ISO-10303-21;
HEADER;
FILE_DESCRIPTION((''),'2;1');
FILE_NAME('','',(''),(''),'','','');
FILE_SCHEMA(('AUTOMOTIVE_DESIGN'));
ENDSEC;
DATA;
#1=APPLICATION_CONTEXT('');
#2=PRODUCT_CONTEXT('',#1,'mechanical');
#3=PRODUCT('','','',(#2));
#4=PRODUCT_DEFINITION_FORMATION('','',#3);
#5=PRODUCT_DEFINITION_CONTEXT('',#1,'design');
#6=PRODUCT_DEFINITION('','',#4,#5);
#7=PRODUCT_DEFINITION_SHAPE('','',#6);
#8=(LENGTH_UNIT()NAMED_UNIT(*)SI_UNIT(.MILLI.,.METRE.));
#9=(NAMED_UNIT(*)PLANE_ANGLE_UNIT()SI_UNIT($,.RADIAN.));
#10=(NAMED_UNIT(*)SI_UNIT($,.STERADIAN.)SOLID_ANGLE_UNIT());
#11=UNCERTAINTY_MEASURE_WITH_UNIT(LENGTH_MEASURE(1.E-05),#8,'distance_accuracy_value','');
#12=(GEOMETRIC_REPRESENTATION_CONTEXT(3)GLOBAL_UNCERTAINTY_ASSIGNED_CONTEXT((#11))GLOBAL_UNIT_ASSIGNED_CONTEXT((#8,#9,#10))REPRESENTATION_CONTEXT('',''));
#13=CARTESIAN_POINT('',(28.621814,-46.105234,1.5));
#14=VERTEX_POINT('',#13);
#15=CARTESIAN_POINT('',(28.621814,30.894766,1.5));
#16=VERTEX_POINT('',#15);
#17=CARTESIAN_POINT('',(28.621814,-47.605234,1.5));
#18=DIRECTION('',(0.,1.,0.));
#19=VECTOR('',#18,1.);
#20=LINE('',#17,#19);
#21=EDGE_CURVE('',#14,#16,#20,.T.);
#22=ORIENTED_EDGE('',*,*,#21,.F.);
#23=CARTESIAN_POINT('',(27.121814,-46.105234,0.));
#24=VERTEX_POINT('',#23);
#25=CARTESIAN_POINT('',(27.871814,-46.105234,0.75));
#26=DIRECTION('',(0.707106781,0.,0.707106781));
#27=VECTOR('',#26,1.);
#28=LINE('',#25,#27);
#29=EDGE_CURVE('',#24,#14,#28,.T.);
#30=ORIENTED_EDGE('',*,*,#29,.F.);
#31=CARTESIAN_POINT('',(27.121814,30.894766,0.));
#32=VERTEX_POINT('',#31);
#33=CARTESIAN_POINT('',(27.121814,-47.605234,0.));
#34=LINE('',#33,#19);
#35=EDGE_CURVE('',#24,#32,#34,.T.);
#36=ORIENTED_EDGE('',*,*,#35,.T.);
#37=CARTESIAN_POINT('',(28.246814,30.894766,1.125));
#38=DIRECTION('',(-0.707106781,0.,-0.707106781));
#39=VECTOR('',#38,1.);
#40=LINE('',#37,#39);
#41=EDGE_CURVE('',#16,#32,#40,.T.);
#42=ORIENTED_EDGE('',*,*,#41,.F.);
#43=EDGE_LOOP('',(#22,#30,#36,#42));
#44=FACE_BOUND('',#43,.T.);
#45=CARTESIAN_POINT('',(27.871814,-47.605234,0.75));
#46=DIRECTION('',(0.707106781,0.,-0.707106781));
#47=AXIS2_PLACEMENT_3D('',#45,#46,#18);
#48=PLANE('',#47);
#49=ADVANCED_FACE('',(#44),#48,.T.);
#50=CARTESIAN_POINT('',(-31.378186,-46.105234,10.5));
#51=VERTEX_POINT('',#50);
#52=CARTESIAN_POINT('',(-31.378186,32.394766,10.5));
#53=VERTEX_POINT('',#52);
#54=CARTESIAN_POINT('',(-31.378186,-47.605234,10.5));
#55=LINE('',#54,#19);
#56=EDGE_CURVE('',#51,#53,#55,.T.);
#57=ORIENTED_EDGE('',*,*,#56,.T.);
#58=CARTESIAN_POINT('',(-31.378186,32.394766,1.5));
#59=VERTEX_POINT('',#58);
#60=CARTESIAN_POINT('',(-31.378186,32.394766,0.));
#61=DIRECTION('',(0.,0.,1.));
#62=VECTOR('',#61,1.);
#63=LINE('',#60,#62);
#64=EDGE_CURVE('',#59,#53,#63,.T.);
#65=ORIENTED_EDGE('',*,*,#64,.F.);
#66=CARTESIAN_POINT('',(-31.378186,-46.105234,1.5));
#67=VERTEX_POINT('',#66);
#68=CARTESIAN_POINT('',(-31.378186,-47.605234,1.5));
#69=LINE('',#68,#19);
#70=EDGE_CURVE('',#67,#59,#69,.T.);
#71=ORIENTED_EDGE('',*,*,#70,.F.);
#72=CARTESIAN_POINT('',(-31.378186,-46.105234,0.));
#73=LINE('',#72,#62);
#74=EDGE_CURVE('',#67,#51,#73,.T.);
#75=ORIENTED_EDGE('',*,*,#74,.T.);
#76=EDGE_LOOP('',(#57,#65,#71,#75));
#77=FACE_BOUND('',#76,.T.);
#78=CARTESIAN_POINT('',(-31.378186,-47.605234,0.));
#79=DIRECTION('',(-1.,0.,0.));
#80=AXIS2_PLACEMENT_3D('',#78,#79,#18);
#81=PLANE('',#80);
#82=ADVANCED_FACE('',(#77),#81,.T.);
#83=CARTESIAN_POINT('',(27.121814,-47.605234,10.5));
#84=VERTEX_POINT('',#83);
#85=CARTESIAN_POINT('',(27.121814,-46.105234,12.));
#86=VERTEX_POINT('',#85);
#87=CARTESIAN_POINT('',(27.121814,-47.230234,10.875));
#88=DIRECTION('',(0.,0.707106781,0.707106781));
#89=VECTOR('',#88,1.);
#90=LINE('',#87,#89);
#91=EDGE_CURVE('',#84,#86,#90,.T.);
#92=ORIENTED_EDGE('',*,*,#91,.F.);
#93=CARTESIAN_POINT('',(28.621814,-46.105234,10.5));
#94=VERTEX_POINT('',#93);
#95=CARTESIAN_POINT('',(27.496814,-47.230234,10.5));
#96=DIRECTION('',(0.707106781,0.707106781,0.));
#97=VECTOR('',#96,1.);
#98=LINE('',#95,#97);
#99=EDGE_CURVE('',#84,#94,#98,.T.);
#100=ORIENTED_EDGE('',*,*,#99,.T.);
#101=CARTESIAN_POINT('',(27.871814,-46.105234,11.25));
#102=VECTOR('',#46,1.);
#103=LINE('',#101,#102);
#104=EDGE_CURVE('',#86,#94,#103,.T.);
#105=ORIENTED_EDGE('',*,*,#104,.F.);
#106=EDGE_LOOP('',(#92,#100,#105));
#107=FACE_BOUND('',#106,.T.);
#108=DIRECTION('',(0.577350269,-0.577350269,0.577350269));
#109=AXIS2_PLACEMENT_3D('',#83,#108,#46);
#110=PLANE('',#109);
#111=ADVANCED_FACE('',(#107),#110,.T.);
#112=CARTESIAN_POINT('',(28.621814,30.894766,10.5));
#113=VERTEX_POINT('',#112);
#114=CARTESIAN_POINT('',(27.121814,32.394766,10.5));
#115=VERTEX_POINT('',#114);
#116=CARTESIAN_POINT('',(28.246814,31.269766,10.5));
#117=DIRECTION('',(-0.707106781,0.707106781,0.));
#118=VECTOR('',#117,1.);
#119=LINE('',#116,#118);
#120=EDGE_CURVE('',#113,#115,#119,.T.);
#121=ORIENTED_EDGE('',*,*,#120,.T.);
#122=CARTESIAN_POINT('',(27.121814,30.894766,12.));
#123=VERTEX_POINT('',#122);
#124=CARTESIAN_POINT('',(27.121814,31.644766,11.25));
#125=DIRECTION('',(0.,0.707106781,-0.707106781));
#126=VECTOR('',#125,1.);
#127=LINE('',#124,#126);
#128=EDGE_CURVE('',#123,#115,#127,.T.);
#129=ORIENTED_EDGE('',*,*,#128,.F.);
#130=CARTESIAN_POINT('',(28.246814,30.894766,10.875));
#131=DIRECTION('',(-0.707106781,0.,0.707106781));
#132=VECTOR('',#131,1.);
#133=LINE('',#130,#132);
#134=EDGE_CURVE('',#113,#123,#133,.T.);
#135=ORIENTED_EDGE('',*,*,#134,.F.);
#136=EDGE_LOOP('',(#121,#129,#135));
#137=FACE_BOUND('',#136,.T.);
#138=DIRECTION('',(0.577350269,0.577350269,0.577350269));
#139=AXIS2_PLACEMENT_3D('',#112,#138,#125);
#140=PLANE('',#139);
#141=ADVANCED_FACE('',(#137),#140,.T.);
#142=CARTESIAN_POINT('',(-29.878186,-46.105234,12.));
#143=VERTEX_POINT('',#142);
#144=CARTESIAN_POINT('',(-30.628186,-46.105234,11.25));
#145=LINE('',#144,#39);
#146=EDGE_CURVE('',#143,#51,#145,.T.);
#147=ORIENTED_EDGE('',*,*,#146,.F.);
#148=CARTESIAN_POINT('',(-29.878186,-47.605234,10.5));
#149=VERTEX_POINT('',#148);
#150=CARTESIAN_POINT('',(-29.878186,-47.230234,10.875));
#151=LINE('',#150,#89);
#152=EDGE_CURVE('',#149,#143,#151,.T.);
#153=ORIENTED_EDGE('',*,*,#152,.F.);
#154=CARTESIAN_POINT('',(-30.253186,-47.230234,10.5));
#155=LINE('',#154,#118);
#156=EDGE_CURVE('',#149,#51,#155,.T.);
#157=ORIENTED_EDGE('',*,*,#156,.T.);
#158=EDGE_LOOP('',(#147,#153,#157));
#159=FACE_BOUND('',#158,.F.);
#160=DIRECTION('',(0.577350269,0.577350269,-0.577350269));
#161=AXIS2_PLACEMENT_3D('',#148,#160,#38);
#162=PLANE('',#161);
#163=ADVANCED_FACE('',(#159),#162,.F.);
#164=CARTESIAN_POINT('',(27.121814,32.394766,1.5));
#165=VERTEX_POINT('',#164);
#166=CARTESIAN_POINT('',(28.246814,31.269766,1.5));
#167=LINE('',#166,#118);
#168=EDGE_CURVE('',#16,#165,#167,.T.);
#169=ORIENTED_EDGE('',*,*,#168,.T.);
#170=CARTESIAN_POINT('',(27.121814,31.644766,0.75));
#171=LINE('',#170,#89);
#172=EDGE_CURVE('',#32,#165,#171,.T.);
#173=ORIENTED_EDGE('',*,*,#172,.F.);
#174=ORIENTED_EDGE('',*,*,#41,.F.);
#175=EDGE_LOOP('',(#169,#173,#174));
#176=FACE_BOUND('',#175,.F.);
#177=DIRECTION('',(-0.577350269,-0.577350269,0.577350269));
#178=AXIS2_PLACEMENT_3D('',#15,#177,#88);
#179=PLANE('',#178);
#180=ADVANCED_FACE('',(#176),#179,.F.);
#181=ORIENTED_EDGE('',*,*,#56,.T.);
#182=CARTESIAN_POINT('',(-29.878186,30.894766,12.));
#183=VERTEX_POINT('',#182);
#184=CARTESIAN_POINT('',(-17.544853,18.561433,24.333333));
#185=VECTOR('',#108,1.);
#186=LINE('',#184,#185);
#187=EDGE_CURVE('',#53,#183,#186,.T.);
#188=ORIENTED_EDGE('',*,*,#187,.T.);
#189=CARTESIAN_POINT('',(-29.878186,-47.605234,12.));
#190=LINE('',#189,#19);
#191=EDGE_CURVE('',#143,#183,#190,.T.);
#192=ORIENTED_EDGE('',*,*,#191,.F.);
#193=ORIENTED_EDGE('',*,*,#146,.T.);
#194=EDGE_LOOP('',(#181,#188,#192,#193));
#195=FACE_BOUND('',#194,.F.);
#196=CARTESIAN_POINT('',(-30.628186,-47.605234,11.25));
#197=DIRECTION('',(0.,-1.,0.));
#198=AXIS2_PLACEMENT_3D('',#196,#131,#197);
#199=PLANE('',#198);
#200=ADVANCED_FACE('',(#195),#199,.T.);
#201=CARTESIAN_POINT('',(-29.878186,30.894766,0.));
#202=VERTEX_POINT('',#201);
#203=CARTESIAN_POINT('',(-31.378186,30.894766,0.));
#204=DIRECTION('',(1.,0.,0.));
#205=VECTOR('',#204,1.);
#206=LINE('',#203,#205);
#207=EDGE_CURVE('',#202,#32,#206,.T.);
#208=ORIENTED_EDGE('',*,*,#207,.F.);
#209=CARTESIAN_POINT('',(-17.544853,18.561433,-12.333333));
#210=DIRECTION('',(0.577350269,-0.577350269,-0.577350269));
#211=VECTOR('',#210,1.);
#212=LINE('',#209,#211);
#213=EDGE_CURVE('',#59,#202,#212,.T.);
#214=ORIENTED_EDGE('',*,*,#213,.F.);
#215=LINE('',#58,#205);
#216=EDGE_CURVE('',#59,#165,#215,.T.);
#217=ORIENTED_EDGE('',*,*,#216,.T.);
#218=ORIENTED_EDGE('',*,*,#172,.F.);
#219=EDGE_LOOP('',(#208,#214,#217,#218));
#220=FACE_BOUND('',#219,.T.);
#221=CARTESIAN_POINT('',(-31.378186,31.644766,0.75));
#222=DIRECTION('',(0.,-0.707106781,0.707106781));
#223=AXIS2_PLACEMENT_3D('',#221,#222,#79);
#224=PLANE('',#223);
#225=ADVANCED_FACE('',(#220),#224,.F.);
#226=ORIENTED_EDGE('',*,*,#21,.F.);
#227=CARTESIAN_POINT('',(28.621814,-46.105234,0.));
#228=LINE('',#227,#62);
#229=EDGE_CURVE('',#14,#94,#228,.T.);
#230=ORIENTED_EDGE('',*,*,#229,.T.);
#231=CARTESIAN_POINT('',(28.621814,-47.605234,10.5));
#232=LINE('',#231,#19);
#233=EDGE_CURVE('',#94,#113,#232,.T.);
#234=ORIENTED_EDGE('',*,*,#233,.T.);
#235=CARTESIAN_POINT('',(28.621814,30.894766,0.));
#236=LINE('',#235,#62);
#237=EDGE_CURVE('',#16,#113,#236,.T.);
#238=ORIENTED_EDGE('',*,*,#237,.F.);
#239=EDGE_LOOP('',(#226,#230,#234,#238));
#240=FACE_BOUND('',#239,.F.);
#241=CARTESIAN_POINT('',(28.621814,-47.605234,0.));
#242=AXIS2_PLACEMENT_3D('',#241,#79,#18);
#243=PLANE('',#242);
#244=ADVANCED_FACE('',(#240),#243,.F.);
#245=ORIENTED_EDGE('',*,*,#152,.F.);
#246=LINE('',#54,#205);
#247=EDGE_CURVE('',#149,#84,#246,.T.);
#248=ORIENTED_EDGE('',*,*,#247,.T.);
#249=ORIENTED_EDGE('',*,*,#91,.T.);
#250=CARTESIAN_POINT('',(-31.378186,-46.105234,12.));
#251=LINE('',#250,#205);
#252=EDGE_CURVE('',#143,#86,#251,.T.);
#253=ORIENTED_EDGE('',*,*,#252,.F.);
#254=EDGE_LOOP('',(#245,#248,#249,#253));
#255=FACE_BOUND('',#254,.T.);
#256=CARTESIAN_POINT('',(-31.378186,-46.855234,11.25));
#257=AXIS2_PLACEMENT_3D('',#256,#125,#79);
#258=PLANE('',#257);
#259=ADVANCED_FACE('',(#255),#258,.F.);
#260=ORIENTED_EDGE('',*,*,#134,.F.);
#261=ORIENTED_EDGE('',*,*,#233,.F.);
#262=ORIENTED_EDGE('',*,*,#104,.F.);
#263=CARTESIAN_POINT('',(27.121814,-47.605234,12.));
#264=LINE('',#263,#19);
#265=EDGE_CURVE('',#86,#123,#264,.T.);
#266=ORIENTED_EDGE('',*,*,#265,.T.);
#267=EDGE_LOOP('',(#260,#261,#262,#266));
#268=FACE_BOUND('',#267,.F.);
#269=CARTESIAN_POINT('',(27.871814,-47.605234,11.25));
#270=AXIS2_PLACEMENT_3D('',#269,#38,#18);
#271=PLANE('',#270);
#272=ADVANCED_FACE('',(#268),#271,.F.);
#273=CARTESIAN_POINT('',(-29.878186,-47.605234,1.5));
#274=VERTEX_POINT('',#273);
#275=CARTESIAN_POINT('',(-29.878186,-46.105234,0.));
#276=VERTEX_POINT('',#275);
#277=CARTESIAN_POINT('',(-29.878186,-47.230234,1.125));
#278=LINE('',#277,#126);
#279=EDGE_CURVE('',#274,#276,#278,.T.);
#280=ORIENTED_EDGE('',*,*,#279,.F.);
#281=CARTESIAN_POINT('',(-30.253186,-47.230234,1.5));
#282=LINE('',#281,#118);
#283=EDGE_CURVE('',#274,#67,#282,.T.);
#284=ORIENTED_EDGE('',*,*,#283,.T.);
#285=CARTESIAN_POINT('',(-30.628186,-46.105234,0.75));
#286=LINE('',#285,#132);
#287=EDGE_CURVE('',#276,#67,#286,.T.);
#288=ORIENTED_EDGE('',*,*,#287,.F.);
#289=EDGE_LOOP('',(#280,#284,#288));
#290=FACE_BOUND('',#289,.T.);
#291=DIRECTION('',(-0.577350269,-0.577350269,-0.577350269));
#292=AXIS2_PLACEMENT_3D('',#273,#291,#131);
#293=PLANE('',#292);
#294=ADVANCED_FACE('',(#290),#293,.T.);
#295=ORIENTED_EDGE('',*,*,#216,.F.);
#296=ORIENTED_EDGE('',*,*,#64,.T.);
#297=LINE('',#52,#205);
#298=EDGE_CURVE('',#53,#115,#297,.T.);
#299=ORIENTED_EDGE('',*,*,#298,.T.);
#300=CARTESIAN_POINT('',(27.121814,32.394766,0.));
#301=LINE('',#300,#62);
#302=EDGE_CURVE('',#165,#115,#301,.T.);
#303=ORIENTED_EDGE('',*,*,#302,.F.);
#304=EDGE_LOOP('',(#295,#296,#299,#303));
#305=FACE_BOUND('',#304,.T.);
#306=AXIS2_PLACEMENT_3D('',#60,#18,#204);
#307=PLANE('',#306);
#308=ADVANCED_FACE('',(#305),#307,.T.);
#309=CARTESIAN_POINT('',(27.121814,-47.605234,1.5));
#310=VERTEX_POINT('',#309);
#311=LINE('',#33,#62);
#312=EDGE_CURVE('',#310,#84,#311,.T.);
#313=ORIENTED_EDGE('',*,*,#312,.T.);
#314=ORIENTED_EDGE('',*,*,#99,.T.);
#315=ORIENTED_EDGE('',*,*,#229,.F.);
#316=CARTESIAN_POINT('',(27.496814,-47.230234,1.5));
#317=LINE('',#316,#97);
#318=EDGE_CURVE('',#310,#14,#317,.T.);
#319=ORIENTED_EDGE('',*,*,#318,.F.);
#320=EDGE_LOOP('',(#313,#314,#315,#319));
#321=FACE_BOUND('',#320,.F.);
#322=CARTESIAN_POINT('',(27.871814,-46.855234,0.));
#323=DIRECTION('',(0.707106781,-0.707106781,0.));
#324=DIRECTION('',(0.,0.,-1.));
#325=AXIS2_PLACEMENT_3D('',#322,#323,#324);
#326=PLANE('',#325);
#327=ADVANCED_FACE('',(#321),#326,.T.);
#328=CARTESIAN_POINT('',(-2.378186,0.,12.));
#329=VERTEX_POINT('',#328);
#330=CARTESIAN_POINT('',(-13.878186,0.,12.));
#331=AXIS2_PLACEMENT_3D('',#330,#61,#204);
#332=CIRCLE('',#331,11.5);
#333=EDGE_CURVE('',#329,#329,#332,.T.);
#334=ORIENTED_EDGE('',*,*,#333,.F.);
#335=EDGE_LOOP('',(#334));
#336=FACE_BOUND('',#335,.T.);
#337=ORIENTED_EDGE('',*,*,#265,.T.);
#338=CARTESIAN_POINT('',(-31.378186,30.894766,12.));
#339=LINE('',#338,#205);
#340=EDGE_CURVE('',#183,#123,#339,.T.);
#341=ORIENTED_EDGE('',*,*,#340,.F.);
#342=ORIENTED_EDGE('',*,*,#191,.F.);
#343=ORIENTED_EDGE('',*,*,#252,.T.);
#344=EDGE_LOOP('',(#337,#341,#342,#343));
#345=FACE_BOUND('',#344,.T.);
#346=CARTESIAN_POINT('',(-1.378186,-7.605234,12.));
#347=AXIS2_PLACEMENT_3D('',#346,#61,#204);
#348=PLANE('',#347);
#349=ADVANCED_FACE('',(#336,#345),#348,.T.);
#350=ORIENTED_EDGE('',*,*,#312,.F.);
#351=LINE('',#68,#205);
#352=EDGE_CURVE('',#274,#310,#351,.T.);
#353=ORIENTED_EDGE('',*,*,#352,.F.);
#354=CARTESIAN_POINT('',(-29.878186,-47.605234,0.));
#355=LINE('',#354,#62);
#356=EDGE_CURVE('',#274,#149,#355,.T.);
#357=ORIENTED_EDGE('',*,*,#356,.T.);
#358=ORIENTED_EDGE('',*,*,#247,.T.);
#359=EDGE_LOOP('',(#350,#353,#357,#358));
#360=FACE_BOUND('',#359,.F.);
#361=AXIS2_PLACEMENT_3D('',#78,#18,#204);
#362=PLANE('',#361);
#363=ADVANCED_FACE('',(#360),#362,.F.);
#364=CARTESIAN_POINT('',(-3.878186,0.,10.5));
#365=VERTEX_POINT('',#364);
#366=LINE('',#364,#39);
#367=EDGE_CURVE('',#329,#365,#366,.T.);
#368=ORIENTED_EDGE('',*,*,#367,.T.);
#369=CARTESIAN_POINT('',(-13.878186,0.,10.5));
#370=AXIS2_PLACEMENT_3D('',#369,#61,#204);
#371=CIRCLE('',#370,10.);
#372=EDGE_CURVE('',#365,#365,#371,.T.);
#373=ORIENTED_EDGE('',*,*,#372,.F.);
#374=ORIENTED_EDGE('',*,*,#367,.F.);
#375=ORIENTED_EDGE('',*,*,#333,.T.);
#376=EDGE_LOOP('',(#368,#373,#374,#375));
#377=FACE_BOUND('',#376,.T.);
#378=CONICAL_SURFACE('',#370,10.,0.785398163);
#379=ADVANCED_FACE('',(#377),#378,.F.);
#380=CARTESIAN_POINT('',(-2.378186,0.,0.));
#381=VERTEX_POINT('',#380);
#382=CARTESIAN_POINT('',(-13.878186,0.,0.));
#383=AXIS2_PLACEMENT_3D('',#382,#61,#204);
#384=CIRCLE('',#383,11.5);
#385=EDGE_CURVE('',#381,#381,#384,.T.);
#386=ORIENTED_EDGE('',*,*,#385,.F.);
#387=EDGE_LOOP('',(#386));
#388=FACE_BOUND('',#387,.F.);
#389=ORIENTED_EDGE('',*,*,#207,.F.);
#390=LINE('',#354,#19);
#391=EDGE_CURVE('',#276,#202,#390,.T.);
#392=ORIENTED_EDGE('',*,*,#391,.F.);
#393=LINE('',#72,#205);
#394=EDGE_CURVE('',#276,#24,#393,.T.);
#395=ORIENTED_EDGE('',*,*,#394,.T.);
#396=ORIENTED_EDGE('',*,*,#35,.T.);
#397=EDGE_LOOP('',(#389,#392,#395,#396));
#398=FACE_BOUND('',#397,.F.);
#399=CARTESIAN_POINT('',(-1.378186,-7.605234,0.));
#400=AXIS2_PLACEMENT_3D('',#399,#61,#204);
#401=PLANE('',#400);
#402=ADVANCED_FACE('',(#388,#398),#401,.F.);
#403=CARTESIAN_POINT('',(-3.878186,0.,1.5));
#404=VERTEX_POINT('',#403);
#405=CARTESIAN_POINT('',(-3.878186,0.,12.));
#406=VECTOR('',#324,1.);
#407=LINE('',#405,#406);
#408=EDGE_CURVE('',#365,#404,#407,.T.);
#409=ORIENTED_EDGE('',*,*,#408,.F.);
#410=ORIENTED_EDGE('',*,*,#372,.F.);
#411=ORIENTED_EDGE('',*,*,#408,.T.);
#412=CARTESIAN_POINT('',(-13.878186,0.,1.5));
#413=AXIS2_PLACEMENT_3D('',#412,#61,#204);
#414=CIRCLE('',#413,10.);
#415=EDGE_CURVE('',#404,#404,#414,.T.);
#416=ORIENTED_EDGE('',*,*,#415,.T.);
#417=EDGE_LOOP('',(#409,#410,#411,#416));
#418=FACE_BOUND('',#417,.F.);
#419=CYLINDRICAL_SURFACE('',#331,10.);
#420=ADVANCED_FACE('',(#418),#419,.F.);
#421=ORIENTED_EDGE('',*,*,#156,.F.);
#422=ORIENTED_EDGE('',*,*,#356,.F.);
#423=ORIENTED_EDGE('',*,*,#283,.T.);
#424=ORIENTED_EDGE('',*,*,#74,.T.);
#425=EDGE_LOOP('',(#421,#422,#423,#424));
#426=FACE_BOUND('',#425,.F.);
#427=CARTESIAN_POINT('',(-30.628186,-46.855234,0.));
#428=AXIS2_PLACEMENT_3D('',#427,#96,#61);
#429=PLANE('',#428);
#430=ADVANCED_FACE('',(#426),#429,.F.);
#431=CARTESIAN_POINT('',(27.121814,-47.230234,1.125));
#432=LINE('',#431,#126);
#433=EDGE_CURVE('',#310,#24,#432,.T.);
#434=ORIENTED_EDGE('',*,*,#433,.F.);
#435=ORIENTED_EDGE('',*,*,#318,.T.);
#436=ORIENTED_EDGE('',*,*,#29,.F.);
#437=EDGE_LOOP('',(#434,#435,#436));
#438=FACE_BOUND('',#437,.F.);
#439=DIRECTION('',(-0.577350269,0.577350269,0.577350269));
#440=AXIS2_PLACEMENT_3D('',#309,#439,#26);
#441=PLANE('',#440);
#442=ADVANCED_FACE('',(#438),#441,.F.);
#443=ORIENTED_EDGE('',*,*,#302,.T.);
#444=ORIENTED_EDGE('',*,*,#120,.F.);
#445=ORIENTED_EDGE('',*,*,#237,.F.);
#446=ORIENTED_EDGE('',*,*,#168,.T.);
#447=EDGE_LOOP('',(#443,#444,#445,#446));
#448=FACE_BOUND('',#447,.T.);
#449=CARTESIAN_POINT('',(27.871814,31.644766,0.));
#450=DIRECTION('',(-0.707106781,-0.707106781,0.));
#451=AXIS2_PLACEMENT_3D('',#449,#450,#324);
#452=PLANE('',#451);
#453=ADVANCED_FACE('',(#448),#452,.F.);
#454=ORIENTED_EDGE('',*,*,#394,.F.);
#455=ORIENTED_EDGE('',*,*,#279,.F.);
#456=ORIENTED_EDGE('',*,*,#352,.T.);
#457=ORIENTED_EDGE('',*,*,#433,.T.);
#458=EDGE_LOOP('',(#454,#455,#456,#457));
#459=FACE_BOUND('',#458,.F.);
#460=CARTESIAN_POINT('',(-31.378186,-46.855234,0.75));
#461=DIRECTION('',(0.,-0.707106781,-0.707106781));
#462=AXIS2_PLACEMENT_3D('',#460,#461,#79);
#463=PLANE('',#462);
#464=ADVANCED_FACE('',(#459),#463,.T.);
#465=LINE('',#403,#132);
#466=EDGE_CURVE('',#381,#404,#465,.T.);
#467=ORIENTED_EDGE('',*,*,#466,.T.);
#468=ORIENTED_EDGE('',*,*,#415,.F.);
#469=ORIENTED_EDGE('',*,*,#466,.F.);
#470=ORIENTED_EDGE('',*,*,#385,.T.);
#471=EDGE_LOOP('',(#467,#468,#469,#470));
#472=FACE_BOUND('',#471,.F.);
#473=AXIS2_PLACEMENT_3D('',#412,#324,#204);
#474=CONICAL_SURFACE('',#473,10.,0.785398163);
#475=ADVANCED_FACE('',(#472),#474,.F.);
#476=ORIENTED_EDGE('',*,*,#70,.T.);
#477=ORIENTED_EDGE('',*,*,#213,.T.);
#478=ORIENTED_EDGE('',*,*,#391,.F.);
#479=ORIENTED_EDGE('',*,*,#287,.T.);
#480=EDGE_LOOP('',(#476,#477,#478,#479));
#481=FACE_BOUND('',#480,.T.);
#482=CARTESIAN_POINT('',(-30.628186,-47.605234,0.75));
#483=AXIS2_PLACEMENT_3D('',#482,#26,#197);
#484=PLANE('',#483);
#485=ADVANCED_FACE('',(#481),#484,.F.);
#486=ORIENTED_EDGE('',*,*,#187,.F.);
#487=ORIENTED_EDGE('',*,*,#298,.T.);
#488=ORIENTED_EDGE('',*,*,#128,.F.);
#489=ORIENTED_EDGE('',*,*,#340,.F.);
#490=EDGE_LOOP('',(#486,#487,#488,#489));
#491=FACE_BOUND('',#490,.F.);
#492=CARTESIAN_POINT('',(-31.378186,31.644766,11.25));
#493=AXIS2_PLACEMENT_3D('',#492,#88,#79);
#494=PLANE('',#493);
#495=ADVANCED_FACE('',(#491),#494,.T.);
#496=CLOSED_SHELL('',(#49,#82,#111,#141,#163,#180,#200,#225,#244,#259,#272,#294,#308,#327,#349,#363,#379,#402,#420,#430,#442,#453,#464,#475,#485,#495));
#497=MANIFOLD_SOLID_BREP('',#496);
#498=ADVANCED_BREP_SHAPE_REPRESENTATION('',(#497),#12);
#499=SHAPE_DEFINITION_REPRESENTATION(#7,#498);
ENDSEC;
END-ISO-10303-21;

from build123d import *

# Parameters (mm, degrees)
F0_W     = 60
F0_H     = 80
F1_DEPTH = 12
F2_R     = 10
F3_DEPTH = 25
F4_SIZE  = 1.5


with BuildPart() as f1:
    # F0 (on Top) → F1 (new body)
    with BuildSketch(Plane.XY):
        with Locations((-1.378186, -7.605234)):
            Rectangle(F0_W, F0_H)
    extrude(amount=F1_DEPTH)

    # F2 (on face) → F3 (cut)
    with BuildSketch(Plane.XY.offset(12)):
        with Locations((-13.878186, 0)):
            Circle(F2_R)
    extrude(amount=-F3_DEPTH, mode=Mode.SUBTRACT)

    # F4
    f4_edges = [f1.edges().sort_by_distance(p)[0] for p in [
        (-23.878186, 0, 12),
        (-31.378186, -7.605234, 12),
        (-1.378186, 32.394766, 12),
        (-1.378186, 32.394766, 0),
        (28.621814, -7.605234, 0),
        (-31.378186, -7.605234, 0),
        (-1.378186, -47.605234, 0),
        (-23.878186, 0, 0),
        (28.621814, -7.605234, 12),
        (-1.378186, -47.605234, 12),
        (28.621814, -47.605234, 6),
        (28.621814, 32.394766, 6),
        (-31.378186, -47.605234, 6),
    ]]
    chamfer(f4_edges, length=F4_SIZE)


solid = f1.part
